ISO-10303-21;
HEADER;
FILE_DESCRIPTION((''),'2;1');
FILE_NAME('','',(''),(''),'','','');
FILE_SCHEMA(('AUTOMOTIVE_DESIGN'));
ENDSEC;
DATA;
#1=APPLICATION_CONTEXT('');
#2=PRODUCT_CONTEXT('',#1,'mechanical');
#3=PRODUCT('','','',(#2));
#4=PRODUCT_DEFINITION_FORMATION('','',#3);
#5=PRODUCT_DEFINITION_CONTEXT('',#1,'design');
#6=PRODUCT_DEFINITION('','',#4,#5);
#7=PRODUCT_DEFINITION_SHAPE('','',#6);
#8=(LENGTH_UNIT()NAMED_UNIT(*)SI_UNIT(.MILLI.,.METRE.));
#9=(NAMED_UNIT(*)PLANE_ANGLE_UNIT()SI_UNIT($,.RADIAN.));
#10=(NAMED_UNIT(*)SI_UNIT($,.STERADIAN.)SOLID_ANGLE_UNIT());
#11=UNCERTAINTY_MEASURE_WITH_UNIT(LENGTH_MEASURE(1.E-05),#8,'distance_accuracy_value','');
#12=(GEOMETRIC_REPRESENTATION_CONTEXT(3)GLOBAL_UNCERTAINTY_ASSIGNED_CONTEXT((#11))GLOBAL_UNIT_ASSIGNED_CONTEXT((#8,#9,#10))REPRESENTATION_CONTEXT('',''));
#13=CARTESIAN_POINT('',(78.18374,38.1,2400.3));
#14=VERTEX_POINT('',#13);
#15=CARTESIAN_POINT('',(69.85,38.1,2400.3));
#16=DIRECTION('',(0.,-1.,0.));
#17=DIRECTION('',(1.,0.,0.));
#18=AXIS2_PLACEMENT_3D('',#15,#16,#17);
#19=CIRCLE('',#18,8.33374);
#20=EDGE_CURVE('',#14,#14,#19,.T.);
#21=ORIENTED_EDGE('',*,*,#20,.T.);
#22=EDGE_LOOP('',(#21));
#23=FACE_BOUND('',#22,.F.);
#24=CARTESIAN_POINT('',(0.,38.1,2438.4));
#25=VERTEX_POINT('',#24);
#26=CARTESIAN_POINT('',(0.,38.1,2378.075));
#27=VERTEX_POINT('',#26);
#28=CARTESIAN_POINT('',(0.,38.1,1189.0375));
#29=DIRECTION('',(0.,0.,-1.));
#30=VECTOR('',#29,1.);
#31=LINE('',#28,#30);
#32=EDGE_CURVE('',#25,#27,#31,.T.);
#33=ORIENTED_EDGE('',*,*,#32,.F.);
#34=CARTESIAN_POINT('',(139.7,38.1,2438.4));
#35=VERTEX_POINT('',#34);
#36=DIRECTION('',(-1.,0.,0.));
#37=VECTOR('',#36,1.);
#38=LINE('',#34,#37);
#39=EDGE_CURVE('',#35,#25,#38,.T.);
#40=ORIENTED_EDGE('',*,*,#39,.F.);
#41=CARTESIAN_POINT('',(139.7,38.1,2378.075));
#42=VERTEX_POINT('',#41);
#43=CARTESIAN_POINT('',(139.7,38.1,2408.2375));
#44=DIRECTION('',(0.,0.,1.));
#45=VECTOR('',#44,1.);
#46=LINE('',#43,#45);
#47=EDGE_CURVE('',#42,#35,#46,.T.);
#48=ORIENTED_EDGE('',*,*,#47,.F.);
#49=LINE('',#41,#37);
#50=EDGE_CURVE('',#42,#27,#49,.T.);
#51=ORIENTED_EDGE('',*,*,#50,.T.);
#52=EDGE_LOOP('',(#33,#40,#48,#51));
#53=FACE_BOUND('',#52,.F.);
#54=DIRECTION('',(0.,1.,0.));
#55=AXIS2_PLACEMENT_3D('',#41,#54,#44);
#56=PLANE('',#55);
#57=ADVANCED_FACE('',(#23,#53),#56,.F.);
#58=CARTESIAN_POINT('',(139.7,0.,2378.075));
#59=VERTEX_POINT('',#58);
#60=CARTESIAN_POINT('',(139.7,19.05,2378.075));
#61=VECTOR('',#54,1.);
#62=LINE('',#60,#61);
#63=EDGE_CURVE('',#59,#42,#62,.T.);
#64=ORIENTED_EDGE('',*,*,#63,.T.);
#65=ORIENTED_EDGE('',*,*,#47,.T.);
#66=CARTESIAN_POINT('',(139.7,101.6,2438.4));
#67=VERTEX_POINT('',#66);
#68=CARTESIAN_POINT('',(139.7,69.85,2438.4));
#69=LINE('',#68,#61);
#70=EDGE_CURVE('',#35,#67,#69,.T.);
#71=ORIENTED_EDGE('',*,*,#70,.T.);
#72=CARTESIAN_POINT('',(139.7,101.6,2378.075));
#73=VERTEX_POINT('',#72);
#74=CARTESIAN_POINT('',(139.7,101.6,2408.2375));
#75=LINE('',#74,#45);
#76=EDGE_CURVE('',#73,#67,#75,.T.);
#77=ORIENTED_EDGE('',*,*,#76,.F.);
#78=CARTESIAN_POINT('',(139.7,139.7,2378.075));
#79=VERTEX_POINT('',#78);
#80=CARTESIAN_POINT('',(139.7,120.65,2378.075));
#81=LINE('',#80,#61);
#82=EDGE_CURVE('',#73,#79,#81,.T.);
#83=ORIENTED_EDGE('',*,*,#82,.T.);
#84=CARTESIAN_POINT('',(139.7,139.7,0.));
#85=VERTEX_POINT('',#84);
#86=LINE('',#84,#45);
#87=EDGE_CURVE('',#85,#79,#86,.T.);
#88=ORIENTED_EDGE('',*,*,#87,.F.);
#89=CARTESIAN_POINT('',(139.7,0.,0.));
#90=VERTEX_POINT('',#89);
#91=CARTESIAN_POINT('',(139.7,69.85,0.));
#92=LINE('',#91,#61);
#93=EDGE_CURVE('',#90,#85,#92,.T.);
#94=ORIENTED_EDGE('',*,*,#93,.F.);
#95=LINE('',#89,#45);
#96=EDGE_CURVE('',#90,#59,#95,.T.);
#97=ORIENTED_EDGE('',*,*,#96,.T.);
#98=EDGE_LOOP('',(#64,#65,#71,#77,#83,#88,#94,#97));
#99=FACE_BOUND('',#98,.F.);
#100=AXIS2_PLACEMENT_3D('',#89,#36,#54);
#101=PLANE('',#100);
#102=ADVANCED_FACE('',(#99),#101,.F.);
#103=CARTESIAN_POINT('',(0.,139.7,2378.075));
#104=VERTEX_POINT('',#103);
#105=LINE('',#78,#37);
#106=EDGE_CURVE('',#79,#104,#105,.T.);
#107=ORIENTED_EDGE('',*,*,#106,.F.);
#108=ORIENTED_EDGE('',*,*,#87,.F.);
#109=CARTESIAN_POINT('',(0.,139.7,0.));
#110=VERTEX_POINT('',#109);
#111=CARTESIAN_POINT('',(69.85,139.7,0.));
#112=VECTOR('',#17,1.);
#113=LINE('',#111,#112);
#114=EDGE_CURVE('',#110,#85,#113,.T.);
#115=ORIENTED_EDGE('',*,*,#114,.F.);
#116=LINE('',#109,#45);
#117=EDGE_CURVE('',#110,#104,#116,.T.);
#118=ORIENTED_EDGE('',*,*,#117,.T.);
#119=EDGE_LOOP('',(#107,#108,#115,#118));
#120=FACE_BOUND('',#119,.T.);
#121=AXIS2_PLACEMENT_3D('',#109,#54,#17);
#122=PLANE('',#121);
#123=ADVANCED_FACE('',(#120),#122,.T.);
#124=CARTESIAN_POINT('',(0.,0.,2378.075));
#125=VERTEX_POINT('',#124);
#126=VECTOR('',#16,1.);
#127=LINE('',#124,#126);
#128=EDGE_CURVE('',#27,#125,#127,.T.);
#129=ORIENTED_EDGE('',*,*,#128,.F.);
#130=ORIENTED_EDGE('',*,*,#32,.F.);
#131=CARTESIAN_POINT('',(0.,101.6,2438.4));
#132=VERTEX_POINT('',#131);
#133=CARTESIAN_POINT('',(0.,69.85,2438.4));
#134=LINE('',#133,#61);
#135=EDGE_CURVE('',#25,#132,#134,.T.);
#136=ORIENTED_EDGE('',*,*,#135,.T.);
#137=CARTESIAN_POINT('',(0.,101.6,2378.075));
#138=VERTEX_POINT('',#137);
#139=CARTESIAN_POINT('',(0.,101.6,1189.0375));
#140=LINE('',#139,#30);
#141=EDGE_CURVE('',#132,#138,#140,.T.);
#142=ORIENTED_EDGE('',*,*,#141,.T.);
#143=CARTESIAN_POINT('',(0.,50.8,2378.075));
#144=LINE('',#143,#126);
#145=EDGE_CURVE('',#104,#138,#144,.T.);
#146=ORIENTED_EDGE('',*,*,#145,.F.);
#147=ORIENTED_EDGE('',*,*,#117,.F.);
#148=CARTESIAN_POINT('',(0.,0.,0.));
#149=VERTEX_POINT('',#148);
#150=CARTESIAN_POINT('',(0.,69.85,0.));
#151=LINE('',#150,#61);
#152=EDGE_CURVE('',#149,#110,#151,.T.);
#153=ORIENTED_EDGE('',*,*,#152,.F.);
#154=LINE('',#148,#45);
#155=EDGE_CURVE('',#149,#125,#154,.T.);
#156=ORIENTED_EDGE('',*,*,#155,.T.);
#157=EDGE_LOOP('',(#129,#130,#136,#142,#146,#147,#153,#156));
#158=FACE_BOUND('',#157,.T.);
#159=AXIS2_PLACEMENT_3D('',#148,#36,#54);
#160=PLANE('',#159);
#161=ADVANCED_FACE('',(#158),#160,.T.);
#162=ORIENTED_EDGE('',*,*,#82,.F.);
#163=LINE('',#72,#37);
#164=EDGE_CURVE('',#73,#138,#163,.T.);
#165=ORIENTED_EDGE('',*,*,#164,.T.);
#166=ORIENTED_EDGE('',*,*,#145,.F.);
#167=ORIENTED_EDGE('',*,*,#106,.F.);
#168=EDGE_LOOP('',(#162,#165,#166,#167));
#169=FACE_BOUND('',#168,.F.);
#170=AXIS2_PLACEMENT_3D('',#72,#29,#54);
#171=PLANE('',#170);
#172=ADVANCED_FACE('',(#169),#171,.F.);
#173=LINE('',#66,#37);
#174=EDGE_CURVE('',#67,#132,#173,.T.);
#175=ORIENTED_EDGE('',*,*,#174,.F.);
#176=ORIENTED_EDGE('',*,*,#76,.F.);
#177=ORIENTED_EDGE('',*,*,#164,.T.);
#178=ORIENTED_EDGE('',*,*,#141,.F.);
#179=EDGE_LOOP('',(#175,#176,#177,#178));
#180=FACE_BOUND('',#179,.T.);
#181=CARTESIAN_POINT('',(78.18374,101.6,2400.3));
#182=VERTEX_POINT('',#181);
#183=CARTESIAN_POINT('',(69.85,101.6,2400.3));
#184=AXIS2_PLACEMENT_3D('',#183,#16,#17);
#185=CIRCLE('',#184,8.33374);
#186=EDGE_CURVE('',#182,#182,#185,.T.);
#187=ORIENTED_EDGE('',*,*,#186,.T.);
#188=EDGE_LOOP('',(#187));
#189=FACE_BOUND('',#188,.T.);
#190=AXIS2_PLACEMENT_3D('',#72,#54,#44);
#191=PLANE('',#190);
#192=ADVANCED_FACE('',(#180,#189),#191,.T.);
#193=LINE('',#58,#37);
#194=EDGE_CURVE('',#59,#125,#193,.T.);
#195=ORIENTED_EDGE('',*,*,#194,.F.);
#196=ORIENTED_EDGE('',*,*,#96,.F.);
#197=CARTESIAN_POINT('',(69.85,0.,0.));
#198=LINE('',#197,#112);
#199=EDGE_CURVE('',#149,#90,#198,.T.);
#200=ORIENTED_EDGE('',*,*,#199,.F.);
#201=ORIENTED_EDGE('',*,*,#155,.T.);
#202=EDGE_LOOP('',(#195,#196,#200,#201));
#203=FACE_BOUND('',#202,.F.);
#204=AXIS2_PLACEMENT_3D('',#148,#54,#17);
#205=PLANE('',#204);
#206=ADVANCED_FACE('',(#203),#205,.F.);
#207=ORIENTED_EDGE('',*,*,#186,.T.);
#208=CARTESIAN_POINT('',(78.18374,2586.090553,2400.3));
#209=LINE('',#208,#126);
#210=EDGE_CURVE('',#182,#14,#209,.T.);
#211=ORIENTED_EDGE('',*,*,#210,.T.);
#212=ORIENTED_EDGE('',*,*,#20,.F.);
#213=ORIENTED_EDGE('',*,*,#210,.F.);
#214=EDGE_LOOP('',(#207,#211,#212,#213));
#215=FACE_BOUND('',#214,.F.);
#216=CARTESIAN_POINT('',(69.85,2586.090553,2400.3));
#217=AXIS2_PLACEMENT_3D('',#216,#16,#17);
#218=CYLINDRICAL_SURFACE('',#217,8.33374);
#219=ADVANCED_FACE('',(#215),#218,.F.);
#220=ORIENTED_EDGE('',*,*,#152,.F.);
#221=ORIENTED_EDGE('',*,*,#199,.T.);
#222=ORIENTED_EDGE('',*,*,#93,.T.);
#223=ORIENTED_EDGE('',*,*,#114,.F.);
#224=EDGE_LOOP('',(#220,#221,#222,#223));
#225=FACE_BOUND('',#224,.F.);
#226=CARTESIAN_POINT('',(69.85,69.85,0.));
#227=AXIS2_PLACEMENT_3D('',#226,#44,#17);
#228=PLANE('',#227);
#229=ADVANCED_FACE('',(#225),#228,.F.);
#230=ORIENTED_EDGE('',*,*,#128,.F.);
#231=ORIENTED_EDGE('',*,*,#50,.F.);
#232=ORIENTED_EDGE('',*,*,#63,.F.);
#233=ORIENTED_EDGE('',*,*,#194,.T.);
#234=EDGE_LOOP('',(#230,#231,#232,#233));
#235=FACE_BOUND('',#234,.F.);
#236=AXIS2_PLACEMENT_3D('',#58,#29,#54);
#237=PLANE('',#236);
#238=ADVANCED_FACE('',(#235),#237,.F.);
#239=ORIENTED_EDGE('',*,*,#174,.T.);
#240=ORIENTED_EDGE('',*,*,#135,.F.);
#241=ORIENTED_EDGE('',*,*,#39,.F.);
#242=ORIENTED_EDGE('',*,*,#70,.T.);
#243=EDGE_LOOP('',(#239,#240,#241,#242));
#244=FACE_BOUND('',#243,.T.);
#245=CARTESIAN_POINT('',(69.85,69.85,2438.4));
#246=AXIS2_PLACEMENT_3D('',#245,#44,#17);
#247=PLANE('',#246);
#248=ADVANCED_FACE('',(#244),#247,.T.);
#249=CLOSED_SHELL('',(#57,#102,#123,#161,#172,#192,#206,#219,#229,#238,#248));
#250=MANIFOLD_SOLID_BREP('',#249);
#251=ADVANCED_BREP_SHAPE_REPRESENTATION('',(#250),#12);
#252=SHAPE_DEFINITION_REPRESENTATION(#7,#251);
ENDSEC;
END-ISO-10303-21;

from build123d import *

# Parameters (mm, degrees)
F0_W     = 139.7
F0_H     = 139.7
F1_DEPTH = 2438.4
F2_W     = 38.1
F2_H     = 60.325
F3_DEPTH = 139.701
F5_D     = 16.66748


with BuildPart() as f1:
    # F0 (on Top) → F1 (new body)
    with BuildSketch(Plane.XY):
        with Locations((69.85, 69.85)):
            Rectangle(F0_W, F0_H)
    extrude(amount=F1_DEPTH)

    # F2 (on face) → F3 (cut, through all)
    with BuildSketch(Plane.YZ.offset(139.7)):
        with Locations((19.05, 2408.2375)):
            Rectangle(F2_W, F2_H)
        with Locations((120.65, 2408.2375)):
            Rectangle(F2_W, F2_H)
    extrude(amount=-F3_DEPTH, mode=Mode.SUBTRACT)

    # F5 (through all)
    with Locations(Plane(origin=(0, 139.7, 0), x_dir=(-1, 0, 0), z_dir=(0, 1, 0))):
        with Locations((-69.85, 2400.3)):
            Hole(F5_D / 2)


solid = f1.part
